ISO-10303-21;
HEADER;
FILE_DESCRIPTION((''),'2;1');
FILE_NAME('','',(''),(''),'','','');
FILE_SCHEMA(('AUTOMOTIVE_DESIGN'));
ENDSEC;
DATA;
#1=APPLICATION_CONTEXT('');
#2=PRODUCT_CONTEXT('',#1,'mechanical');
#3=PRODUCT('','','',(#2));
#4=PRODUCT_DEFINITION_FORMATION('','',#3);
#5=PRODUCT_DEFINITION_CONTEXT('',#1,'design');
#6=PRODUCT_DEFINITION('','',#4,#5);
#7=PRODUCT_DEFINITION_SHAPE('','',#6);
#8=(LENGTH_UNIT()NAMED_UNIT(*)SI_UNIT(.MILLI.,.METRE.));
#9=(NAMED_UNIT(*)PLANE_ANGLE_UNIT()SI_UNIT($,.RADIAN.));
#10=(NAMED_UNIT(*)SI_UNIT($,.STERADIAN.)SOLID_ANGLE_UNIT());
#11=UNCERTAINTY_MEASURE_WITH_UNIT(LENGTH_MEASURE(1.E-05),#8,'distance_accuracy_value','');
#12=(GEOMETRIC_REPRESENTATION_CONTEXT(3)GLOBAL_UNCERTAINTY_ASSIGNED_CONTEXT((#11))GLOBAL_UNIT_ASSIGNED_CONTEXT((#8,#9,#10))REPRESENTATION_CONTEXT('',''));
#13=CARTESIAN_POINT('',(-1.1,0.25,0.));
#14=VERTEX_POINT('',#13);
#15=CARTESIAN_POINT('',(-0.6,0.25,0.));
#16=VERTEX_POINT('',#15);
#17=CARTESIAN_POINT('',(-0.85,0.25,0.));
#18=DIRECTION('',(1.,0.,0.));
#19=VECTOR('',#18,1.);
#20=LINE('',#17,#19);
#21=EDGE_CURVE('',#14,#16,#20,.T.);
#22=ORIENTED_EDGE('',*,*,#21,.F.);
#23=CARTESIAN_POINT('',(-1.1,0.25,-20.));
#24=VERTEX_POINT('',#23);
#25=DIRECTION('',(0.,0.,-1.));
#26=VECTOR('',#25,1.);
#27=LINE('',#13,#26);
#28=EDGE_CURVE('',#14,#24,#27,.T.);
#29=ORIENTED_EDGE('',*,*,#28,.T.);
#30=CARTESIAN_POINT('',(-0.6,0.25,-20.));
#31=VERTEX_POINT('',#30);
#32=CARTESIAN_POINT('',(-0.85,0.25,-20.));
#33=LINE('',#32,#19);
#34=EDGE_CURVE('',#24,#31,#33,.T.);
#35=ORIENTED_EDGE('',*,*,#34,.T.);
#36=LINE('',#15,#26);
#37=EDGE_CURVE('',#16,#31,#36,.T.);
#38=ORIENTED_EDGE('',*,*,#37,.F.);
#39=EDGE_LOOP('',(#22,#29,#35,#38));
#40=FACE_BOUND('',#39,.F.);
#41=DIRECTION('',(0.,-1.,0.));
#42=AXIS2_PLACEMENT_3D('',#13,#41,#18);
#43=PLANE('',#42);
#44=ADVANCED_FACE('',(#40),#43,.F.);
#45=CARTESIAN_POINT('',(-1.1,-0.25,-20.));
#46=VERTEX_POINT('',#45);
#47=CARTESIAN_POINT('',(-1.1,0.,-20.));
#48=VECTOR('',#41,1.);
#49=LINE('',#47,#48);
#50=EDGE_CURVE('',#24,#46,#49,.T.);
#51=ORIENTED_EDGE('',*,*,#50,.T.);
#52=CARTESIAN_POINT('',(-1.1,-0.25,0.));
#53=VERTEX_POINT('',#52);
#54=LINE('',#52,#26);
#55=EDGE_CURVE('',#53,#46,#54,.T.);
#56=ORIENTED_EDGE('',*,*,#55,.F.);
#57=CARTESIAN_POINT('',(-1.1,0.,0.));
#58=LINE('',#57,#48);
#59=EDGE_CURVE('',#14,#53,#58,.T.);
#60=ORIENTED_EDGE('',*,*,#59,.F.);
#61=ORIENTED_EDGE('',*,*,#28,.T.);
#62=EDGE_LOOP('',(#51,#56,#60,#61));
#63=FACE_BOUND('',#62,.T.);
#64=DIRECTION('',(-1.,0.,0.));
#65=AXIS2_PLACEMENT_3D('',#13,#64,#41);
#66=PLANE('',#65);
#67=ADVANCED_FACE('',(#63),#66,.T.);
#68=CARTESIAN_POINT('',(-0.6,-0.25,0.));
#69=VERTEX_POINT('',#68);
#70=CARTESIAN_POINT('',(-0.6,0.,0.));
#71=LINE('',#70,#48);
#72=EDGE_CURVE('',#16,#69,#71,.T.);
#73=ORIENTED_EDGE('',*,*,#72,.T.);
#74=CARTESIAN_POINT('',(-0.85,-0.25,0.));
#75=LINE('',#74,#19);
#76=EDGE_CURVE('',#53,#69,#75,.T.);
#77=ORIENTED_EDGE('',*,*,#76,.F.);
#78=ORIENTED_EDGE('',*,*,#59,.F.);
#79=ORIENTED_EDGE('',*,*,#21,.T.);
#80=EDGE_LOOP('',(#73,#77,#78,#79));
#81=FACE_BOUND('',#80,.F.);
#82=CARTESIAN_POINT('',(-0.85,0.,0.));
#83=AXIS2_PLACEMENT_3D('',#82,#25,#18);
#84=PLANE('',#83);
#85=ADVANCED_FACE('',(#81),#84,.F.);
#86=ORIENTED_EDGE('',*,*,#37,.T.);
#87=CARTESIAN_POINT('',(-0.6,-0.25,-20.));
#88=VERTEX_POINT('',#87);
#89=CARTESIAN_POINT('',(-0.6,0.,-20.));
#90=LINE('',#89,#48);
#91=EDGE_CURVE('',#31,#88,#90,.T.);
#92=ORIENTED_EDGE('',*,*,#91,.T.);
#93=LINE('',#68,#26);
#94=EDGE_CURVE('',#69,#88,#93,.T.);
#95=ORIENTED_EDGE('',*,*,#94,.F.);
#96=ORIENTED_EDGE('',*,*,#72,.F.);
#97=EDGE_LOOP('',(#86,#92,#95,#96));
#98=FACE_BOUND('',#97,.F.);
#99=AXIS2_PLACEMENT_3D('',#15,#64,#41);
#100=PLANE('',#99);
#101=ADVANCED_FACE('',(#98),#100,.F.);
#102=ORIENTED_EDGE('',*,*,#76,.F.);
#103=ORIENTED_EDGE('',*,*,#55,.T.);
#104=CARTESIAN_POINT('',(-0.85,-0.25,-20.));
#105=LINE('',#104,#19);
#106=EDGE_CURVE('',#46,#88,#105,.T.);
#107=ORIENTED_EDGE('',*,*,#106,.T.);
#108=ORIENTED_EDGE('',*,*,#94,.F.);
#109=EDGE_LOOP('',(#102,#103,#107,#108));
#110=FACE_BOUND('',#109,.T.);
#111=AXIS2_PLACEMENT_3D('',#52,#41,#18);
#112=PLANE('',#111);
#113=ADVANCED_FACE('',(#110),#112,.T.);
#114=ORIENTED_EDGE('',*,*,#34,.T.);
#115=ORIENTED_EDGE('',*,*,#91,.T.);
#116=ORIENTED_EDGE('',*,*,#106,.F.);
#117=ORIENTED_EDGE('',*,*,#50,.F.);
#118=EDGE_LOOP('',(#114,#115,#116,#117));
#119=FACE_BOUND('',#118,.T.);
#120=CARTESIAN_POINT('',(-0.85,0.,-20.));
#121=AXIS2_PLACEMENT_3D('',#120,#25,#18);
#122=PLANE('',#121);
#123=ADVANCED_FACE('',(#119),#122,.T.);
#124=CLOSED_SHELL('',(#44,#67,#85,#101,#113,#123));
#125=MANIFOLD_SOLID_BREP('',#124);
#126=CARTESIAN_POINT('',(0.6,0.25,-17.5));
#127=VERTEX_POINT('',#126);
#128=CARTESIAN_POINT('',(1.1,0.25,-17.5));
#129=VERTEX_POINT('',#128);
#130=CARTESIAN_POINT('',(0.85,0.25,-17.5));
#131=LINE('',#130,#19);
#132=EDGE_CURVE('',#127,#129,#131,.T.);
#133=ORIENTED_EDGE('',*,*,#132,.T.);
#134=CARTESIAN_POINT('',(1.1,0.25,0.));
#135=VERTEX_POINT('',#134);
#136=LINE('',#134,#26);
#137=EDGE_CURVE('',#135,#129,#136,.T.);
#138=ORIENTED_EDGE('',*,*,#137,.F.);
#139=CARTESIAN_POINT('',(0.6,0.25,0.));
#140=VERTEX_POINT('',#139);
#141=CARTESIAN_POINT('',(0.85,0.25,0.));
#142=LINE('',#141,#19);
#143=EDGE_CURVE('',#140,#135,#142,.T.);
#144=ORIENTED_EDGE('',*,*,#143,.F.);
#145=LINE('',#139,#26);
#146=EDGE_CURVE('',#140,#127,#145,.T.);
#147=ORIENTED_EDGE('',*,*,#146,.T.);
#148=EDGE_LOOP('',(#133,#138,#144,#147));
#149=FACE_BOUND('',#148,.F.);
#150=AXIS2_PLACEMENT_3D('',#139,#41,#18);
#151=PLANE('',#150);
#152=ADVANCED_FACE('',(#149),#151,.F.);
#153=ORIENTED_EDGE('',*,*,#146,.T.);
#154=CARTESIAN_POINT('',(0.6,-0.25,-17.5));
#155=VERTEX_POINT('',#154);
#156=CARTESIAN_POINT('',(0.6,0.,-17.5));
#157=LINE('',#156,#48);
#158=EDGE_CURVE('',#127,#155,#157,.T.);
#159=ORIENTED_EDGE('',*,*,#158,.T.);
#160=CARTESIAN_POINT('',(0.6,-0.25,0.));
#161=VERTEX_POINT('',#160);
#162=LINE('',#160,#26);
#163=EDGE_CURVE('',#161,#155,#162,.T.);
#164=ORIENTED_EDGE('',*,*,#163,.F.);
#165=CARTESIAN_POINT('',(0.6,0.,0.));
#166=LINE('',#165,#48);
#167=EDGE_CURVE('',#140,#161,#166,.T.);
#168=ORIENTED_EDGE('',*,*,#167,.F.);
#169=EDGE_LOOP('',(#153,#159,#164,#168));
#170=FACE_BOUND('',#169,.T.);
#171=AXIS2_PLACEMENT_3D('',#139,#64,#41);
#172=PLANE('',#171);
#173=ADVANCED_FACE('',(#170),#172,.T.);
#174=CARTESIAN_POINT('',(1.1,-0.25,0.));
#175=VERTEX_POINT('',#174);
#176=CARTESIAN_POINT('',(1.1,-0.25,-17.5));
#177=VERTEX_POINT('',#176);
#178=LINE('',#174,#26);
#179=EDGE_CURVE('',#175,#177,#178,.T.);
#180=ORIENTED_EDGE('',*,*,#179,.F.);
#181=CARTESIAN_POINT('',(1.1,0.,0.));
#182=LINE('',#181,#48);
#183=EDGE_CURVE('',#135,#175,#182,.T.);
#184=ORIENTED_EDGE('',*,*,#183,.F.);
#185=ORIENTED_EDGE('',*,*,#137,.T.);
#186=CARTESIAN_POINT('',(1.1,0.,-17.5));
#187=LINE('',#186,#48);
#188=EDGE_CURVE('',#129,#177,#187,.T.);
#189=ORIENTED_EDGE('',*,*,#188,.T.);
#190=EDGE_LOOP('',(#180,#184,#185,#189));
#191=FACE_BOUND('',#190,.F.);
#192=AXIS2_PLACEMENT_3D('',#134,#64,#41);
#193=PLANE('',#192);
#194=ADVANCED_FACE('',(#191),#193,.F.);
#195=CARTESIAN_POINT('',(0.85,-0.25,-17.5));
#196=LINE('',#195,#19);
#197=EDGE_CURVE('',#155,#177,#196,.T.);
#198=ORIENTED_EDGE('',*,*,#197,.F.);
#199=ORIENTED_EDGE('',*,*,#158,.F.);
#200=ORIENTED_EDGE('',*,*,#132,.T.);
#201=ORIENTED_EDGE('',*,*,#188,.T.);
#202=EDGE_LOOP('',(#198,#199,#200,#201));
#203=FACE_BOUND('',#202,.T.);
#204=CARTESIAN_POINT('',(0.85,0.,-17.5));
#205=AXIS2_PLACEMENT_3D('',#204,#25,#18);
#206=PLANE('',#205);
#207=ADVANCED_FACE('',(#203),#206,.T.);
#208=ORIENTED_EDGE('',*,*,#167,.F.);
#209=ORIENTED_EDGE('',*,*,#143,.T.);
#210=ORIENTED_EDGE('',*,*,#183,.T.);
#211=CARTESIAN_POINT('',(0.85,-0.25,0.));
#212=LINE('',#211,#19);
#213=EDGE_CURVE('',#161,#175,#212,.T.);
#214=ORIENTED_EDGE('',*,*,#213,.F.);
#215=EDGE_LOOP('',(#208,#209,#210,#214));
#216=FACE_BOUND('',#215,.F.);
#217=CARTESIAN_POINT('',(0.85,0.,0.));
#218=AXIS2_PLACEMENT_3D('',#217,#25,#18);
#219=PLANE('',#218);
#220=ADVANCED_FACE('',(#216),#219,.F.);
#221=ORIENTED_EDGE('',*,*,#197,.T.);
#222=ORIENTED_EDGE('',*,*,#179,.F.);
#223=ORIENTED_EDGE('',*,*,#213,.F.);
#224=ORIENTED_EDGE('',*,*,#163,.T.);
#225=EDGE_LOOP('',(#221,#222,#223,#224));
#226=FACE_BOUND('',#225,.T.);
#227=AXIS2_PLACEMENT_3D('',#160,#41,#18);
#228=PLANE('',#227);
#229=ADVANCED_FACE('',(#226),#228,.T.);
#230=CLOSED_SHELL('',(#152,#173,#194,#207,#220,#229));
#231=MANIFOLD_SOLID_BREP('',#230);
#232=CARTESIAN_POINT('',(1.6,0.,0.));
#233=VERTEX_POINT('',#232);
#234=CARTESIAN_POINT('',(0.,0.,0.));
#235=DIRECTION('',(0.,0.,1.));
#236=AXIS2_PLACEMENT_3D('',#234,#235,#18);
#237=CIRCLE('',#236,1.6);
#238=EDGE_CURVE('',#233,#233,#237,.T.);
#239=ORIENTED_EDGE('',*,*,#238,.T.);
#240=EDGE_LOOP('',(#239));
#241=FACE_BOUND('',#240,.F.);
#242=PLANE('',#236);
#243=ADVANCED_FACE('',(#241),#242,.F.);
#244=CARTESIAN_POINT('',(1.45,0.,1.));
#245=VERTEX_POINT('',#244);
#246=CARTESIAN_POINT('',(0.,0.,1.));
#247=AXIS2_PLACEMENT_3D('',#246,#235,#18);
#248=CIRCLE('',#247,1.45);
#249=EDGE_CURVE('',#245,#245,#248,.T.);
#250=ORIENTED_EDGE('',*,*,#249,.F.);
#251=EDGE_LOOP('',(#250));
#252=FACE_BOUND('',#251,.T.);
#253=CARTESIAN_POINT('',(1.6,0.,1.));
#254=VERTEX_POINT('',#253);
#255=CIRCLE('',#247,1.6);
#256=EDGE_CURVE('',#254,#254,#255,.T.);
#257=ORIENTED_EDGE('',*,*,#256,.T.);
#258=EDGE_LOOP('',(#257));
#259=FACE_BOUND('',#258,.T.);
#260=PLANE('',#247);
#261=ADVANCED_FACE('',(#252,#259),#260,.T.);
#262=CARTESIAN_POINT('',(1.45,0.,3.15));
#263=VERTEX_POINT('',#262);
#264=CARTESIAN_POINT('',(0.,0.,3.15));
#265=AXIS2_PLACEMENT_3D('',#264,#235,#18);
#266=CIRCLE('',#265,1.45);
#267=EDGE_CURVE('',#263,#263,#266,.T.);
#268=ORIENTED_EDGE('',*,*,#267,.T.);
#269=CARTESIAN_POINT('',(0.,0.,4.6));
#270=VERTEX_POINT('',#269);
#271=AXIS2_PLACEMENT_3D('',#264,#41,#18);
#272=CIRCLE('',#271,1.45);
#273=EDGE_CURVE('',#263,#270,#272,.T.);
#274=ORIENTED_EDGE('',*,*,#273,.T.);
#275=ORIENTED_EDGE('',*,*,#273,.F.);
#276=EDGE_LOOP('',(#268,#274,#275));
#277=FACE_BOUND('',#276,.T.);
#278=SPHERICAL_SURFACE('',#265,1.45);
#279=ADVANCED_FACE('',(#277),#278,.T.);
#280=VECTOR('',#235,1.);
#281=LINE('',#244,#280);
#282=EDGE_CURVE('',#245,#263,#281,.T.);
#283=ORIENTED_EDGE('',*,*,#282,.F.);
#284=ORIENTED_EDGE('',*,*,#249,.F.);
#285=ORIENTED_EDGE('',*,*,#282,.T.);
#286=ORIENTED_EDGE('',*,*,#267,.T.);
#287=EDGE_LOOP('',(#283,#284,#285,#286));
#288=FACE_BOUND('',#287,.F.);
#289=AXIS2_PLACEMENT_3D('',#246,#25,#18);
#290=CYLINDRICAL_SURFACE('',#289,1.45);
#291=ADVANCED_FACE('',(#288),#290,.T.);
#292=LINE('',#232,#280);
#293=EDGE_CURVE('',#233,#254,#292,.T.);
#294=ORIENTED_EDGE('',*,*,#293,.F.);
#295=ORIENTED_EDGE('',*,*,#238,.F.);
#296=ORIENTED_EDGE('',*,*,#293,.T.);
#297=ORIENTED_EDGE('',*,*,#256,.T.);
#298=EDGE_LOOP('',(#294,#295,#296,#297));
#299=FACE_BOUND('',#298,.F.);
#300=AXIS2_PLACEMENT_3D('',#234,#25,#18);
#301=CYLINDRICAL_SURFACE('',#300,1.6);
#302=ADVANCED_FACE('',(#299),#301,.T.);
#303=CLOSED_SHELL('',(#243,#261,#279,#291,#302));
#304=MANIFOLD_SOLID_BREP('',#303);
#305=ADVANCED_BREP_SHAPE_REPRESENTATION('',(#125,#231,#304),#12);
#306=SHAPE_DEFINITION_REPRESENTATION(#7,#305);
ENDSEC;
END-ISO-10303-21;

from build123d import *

# Parameters (mm, degrees)
F0_R     = 1.6
F1_DEPTH = 1
F2_R     = 1.45
F3_DEPTH = 3.6
F4_R     = 1.45
F5_W     = 0.5
F5_H     = 0.5
F6_DEPTH = 17.5
F7_DEPTH = 20


with BuildPart() as f1:
    # F0 (on Top) → F1 (new body)
    with BuildSketch(Plane.XY):
        Circle(F0_R)
    extrude(amount=F1_DEPTH)

    # F2 (on face) → F3 (join)
    with BuildSketch(Plane.XY.offset(1)):
        Circle(F2_R)
    extrude(amount=F3_DEPTH)

    # F4
    f4_edges = [f1.edges().sort_by_distance(p)[0] for p in [
        (-1.45, 0, 4.6),
    ]]
    fillet(f4_edges, radius=F4_R)


with BuildPart() as f6:
    # F5 (on face) → F6 (new body)
    with BuildSketch(Plane(origin=(0, 0, 0), x_dir=(1, 0, 0), z_dir=(0, 0, -1))):
        with Locations((0.85, 0)):
            Rectangle(F5_W, F5_H)
    extrude(amount=F6_DEPTH)


with BuildPart() as f7:
    # F5 (on face) → F7 (new body)
    with BuildSketch(Plane(origin=(0, 0, 0), x_dir=(1, 0, 0), z_dir=(0, 0, -1))):
        with Locations((-0.85, 0)):
            Rectangle(F5_W, F5_H)
    extrude(amount=F7_DEPTH)


solid = Compound([f1.part, f6.part, f7.part])
